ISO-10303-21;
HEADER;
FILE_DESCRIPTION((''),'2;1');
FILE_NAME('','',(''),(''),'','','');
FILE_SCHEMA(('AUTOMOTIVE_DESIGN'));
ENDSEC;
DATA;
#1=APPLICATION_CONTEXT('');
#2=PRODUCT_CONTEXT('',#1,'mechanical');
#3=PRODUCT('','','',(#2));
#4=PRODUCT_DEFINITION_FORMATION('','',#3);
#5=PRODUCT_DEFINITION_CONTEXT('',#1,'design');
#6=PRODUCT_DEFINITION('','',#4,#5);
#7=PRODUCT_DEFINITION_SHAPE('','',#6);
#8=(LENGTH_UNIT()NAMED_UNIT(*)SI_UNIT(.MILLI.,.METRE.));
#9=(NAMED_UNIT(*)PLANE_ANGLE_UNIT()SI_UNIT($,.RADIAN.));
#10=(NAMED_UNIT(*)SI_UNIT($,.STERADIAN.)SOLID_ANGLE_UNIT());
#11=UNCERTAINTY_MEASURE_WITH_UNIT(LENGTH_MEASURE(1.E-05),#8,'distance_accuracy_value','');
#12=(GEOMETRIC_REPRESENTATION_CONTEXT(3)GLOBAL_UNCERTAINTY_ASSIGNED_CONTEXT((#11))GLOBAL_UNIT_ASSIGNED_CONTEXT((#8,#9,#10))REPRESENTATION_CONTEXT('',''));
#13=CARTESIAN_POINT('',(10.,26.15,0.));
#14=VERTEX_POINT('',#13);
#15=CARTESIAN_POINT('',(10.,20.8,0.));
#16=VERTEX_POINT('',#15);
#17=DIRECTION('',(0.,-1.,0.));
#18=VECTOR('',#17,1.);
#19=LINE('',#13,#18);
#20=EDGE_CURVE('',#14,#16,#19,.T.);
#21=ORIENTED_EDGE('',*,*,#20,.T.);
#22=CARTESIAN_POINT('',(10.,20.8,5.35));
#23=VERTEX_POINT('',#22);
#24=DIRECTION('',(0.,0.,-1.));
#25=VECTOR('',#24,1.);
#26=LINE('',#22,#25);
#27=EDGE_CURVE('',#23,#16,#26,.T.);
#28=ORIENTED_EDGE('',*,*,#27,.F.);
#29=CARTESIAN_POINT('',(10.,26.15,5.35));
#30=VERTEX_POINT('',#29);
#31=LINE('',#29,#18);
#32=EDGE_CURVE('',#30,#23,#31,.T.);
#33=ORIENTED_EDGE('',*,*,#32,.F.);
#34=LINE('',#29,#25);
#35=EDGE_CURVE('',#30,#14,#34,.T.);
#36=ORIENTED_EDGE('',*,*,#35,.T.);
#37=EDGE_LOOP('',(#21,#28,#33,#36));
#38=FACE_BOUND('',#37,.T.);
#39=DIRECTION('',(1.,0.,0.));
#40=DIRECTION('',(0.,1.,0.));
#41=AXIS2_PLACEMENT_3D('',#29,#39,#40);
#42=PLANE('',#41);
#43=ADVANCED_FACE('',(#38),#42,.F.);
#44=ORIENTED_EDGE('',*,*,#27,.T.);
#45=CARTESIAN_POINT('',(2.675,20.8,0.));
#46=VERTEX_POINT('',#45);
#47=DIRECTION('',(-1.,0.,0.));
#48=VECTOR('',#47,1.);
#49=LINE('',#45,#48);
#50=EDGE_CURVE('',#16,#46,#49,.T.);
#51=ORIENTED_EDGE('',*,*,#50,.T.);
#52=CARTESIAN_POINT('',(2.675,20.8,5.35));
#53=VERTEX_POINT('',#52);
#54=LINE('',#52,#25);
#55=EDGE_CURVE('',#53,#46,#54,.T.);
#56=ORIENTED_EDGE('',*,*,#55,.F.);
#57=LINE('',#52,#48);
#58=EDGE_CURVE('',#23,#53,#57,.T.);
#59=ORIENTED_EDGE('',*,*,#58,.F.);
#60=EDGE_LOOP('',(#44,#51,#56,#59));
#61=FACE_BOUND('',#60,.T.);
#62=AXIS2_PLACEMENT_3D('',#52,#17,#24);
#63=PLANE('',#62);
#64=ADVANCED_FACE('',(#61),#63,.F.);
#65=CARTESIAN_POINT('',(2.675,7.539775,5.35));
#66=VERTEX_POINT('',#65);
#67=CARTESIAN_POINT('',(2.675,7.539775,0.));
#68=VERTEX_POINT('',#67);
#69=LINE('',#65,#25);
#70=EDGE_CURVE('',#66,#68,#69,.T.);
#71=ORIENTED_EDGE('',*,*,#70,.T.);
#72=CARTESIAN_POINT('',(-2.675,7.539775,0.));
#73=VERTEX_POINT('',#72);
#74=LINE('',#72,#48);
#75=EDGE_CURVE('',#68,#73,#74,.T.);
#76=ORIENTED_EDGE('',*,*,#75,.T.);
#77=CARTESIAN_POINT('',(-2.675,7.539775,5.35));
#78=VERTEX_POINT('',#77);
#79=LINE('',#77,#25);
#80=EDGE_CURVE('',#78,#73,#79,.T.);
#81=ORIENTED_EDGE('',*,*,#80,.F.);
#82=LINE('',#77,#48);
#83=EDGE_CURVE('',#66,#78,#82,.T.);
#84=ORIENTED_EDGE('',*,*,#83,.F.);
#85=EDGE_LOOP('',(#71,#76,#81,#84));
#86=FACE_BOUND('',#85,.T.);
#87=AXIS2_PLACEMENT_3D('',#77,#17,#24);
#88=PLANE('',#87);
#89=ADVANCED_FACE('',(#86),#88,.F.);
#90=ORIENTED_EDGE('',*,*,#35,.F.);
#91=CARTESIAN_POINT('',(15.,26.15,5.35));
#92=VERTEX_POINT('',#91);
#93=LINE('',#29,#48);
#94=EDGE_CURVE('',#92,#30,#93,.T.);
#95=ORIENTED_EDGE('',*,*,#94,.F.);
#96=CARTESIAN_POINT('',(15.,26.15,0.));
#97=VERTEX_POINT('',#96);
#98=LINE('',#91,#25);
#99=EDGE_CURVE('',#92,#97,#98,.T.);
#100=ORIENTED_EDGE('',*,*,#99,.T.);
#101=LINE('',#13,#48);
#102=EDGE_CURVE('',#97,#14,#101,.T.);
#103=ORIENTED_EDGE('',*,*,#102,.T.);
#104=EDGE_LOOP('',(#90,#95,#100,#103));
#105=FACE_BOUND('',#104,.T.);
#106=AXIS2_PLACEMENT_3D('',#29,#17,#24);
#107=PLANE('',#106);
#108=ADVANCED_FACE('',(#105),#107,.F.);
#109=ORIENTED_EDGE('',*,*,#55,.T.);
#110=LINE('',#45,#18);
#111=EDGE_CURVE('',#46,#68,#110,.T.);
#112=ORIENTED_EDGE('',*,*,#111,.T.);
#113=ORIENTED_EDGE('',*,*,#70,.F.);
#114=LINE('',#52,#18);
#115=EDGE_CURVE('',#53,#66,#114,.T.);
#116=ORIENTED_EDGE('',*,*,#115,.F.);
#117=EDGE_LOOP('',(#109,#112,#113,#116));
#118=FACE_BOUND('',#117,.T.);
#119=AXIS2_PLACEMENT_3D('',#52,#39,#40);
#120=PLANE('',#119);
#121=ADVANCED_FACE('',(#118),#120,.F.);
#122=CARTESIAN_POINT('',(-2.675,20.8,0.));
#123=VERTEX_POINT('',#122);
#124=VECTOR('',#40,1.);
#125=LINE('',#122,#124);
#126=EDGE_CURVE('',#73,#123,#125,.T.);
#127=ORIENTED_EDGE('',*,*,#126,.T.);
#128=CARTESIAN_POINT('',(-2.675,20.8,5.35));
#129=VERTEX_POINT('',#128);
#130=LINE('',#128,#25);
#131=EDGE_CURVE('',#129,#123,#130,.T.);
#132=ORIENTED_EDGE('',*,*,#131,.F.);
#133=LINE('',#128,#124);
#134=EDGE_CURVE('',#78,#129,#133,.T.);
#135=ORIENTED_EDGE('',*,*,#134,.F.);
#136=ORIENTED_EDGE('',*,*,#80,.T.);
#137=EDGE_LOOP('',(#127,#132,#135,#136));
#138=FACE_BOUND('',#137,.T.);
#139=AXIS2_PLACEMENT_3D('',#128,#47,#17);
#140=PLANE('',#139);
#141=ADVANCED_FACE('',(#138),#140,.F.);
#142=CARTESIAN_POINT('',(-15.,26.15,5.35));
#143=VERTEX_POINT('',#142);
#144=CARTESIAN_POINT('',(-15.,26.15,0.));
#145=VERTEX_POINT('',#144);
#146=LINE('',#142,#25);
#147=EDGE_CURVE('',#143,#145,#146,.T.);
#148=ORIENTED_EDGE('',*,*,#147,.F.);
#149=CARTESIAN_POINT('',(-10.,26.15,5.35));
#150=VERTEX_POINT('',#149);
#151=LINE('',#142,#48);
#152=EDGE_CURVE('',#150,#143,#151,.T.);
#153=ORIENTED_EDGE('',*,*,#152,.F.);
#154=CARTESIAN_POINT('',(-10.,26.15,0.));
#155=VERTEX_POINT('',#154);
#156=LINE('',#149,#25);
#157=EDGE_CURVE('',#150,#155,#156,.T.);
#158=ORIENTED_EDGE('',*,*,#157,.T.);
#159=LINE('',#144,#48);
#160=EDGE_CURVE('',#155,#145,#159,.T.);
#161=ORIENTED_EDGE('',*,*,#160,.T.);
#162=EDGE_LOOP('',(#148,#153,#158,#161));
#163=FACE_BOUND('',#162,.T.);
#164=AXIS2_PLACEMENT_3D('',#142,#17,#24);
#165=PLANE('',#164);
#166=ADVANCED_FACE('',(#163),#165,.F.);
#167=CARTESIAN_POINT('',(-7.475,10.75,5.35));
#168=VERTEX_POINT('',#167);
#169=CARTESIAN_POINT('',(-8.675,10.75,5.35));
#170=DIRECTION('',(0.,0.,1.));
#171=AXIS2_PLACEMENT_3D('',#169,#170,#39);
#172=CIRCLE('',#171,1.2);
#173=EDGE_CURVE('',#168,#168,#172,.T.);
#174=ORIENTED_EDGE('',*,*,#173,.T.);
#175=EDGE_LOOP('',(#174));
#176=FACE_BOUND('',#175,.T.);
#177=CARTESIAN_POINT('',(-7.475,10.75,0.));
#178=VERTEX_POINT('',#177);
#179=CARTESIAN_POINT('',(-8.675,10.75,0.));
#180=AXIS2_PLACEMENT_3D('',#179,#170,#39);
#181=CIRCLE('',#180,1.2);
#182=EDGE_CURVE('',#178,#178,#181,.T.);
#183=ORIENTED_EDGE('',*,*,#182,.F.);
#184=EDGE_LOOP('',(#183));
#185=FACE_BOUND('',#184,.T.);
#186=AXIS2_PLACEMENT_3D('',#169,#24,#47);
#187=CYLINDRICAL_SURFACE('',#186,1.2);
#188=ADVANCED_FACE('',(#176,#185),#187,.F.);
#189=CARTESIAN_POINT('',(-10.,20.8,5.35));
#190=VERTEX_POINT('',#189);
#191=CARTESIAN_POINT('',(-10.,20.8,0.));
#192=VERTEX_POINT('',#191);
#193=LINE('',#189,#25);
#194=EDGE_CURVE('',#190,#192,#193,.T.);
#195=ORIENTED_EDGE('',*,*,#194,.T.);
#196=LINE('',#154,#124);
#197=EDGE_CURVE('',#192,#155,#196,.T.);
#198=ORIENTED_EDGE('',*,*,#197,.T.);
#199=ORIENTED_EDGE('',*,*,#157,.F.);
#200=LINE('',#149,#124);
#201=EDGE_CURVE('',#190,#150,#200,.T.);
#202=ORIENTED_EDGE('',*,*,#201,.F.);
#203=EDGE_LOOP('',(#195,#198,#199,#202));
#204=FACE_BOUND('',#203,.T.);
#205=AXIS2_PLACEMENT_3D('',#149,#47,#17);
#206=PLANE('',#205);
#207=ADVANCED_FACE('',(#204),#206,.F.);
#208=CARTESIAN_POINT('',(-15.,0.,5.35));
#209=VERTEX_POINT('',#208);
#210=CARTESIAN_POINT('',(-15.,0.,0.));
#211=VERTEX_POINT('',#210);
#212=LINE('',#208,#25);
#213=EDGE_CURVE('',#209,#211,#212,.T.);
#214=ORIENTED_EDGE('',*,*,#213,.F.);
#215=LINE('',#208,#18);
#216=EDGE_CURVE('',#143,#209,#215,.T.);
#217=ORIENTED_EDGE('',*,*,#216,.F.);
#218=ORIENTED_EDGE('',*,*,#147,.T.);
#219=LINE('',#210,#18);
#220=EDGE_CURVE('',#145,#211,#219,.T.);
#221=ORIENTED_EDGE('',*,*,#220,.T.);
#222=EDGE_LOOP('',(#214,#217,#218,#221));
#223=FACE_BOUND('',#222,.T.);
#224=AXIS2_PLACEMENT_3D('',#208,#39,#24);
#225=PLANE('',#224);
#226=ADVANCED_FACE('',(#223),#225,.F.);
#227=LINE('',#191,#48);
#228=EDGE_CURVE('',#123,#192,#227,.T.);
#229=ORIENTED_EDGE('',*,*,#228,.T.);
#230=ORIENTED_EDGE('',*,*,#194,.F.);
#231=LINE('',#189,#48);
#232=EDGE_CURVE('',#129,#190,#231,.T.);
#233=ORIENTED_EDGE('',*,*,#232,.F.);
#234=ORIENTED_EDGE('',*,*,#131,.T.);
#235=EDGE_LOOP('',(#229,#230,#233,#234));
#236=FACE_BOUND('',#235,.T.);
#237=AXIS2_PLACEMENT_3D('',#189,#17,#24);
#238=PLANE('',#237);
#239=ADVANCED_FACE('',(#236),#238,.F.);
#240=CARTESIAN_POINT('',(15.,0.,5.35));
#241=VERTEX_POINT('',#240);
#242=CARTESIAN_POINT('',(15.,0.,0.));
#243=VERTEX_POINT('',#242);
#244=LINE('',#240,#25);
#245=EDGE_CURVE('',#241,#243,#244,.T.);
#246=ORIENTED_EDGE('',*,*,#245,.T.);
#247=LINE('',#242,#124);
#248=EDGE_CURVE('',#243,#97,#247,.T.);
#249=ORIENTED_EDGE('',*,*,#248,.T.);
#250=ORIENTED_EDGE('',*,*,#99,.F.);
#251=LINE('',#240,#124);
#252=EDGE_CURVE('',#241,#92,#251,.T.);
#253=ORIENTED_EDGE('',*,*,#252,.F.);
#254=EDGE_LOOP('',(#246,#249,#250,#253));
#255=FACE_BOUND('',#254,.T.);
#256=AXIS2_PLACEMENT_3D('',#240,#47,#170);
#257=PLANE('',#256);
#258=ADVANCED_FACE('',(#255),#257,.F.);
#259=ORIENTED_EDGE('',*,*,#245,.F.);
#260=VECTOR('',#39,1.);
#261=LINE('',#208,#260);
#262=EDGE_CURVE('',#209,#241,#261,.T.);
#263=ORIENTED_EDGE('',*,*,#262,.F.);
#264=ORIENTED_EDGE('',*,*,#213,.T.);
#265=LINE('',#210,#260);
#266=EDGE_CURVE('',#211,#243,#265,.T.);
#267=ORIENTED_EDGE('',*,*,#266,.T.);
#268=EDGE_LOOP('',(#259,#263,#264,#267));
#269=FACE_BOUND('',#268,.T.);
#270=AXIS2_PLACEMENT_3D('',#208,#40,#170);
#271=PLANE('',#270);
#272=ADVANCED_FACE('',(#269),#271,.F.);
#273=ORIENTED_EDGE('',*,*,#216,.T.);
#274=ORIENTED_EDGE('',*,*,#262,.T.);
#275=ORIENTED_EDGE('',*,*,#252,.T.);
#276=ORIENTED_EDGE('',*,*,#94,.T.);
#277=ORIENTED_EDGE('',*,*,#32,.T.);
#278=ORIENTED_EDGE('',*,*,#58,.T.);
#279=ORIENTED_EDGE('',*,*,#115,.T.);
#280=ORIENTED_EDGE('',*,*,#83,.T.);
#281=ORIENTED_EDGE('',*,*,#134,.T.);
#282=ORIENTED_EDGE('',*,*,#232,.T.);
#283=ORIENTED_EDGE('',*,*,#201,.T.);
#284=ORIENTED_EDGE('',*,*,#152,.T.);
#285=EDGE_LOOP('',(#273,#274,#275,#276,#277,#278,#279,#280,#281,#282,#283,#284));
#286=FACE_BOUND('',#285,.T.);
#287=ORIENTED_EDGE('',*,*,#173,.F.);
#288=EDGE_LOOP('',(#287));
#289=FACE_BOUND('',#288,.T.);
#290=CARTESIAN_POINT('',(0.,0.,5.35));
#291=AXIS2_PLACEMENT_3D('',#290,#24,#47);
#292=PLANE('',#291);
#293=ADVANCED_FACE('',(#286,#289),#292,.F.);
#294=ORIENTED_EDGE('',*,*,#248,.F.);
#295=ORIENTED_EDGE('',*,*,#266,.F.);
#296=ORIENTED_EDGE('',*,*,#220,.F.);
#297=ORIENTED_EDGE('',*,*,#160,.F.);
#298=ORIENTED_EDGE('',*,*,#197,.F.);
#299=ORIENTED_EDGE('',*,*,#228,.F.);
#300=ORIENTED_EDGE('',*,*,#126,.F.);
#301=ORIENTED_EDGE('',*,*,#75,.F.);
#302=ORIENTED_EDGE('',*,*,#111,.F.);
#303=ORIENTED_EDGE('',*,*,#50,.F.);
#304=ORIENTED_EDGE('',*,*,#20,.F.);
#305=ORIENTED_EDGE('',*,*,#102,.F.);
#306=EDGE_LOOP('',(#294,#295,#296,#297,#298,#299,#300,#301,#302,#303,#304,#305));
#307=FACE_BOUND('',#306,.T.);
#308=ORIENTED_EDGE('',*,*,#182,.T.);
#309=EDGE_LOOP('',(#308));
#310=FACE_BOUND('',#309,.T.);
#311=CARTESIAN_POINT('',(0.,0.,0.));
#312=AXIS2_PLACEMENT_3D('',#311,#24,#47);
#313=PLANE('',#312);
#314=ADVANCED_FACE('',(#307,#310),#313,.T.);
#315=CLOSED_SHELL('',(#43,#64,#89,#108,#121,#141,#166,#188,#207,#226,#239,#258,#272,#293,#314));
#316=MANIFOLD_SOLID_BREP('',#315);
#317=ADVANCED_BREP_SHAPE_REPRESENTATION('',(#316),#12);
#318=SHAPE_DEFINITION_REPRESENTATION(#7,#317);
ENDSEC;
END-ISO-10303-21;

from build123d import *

# Parameters (mm, degrees)
MODEL_R             = 1.2
BOSS_EXTRUDE1_DEPTH = 5.35


with BuildPart() as part:
    # Model → Boss-Extrude1 (new body)
    with BuildSketch(Plane.XY):
        Polygon((10, 26.15), (15, 26.15), (15, 0), (-15, 0), (-15, 26.15), (-10, 26.15), (-10, 20.8), (-2.675, 20.8), (-2.675, 7.539774624), (2.675, 7.539774624), (2.675, 20.8), (10, 20.8), align=None)
        with Locations((-8.675, 10.75)):
            Circle(MODEL_R, mode=Mode.SUBTRACT)
    extrude(amount=BOSS_EXTRUDE1_DEPTH)


solid = part.part
